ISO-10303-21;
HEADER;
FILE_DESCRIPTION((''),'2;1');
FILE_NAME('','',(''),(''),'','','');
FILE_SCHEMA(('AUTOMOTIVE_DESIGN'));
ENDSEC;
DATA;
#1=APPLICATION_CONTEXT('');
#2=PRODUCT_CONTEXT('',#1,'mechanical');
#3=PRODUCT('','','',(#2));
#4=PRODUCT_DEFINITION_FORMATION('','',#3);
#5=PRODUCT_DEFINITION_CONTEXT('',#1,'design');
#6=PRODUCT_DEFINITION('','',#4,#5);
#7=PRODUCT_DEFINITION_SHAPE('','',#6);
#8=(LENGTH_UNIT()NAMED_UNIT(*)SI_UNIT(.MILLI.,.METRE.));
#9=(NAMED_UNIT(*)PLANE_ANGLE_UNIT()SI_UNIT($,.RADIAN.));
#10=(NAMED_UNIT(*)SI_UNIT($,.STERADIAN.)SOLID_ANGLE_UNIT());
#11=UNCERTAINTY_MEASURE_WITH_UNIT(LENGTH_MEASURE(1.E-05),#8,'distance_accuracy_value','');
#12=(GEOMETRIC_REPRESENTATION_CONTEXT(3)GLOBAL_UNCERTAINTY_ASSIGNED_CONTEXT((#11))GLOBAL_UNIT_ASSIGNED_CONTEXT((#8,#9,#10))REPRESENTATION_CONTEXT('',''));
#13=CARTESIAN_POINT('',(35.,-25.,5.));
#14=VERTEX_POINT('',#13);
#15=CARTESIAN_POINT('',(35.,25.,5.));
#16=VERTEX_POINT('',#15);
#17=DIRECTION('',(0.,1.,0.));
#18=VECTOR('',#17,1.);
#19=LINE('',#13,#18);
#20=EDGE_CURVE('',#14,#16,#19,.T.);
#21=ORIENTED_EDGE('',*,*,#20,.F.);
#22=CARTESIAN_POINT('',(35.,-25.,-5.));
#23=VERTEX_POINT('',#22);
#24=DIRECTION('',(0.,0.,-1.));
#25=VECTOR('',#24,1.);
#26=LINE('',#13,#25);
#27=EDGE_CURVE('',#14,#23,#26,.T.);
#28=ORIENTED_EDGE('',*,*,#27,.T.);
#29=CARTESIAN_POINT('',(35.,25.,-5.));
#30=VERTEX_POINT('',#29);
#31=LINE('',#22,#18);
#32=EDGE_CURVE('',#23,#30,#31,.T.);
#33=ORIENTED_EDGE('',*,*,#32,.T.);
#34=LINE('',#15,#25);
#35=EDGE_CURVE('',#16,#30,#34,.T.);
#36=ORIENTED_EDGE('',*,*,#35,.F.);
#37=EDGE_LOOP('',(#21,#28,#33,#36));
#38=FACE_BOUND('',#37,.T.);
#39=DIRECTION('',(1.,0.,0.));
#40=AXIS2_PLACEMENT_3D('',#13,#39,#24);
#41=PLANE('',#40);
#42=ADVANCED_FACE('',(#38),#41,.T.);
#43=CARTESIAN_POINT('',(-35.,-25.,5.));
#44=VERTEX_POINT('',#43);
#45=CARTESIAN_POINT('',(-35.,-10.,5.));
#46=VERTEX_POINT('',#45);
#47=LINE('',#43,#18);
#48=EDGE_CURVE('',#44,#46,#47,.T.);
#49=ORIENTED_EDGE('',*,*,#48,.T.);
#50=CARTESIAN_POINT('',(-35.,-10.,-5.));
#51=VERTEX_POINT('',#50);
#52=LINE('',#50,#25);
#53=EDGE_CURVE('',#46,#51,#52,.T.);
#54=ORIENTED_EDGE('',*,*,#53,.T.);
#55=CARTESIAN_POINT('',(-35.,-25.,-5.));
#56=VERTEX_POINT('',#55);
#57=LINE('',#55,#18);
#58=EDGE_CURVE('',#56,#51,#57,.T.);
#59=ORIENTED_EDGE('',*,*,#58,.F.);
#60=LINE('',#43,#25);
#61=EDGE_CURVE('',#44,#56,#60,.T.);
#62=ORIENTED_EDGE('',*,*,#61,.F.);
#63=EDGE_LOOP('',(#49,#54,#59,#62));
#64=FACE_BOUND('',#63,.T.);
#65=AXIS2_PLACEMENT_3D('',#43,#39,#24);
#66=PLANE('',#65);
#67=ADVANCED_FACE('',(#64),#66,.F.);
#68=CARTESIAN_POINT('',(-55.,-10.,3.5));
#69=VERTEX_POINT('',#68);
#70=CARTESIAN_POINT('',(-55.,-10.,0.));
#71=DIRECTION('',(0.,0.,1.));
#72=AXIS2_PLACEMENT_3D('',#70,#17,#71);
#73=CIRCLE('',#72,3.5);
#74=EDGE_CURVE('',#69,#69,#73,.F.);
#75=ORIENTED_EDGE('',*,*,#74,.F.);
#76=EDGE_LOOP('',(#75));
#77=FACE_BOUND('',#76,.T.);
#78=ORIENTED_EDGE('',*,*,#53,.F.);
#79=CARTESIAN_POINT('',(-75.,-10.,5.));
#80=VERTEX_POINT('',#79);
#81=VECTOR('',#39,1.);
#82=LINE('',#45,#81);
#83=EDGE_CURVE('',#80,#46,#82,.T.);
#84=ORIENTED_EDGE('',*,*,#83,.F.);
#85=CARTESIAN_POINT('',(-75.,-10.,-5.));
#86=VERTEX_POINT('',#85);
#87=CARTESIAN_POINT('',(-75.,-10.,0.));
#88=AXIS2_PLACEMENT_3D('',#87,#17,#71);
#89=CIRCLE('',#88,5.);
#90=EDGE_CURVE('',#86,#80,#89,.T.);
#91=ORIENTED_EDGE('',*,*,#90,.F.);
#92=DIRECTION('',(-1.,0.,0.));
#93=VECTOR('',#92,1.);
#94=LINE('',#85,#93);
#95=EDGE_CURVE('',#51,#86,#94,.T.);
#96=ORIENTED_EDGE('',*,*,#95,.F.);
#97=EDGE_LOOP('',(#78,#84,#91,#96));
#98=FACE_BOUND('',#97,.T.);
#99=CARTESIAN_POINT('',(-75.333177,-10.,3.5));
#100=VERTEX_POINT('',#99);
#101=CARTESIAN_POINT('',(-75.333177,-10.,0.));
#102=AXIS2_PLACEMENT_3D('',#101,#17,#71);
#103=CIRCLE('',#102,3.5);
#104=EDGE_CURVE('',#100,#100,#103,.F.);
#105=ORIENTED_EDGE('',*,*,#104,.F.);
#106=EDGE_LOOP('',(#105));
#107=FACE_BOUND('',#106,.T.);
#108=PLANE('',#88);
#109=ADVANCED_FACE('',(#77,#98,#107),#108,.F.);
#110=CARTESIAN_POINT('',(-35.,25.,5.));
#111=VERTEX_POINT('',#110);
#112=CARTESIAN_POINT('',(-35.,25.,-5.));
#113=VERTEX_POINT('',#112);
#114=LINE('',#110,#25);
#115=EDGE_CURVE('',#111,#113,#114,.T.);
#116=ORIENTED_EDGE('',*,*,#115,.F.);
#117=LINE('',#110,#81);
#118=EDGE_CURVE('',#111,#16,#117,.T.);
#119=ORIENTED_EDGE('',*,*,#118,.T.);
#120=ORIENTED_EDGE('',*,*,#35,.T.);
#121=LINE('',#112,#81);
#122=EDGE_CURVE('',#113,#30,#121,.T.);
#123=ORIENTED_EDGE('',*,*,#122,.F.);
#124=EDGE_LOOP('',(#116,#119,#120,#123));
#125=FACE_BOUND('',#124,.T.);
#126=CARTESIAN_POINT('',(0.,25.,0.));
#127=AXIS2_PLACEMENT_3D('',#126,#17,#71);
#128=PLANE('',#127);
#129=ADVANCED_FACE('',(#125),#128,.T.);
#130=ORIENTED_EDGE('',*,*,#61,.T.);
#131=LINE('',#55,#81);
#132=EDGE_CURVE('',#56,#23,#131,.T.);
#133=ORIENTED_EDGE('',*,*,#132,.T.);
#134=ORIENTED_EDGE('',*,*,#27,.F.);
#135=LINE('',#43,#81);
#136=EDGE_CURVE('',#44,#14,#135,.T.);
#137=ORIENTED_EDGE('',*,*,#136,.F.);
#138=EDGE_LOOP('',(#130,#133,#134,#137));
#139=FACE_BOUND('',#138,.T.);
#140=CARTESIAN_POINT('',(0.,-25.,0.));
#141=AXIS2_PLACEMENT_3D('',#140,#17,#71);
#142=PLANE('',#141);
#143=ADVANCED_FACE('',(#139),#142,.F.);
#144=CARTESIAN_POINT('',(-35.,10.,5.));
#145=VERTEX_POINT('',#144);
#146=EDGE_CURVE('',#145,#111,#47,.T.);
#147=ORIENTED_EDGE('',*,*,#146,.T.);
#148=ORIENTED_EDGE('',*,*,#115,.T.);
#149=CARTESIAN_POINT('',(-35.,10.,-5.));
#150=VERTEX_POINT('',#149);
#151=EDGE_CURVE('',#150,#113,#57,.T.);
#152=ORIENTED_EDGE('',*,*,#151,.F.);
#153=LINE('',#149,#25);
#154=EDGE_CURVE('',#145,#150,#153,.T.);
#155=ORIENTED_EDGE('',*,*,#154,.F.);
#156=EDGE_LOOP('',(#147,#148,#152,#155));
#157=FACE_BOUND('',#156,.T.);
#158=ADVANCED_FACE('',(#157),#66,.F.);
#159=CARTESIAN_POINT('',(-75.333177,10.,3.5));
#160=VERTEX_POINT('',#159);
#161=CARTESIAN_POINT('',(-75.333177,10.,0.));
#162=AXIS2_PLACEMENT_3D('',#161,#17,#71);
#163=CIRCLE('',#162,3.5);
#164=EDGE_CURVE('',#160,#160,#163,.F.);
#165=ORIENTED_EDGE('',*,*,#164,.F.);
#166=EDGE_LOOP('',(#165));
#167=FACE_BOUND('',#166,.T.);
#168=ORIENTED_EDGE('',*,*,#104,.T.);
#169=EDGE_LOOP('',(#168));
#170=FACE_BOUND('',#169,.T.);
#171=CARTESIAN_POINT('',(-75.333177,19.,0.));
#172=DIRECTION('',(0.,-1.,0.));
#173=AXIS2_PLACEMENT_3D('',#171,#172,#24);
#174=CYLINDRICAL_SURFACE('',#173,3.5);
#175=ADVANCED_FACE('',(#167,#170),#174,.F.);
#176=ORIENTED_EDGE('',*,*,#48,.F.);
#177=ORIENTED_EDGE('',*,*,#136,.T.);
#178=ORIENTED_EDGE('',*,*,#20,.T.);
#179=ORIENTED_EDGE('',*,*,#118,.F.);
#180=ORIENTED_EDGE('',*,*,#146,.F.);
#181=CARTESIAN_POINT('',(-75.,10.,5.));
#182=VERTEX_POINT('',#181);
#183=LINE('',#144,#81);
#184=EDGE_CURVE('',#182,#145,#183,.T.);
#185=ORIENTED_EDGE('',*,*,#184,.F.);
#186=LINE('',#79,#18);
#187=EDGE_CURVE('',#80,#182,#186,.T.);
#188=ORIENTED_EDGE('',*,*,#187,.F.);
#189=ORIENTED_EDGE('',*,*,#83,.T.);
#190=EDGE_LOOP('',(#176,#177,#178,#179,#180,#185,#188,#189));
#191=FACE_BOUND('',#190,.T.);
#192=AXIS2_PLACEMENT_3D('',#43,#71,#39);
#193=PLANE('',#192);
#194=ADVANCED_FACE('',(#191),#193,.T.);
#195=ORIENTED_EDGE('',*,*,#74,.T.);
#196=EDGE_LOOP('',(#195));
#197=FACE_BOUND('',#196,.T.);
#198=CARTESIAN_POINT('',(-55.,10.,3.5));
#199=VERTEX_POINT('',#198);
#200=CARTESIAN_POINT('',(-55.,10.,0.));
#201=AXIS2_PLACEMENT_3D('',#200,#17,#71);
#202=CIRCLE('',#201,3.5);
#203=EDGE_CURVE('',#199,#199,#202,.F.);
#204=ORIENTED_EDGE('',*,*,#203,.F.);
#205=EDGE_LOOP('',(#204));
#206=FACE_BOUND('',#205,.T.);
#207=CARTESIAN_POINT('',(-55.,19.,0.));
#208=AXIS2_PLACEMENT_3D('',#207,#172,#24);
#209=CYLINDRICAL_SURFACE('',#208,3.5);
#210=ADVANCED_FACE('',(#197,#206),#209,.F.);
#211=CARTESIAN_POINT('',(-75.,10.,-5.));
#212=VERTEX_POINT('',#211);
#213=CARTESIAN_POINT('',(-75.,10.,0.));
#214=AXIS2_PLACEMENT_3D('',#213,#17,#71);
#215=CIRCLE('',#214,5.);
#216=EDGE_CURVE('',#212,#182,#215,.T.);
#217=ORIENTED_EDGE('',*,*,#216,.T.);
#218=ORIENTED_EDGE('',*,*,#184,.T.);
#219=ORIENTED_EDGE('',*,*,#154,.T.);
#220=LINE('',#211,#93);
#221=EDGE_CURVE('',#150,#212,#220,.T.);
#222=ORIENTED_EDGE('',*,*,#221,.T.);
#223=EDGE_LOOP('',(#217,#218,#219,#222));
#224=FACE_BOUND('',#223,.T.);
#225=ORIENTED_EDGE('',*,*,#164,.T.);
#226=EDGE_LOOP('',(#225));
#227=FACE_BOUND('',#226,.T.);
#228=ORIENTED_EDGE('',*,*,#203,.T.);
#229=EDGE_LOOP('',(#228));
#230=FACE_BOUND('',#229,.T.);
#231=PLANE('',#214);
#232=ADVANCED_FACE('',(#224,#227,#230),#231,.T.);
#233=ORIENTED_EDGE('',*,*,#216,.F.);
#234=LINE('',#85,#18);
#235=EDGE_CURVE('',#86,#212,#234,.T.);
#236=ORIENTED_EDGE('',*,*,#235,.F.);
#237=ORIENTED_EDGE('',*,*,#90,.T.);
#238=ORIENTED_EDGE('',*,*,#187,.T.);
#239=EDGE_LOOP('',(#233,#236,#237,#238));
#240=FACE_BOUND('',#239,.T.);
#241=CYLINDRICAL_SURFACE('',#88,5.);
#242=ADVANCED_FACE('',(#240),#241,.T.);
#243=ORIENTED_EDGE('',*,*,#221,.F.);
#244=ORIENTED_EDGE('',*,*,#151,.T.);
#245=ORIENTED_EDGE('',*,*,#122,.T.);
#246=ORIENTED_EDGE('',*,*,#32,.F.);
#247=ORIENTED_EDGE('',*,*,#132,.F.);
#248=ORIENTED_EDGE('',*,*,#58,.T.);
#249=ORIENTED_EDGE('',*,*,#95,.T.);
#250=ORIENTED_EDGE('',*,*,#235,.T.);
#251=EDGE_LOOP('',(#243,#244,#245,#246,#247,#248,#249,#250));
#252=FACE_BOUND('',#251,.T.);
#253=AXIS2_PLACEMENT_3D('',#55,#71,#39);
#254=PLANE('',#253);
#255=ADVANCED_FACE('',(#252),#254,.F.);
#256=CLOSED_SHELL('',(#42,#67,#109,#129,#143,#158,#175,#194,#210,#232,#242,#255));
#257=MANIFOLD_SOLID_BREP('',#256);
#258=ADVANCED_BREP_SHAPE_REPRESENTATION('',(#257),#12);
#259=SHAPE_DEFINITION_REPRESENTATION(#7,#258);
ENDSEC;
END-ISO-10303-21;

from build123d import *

# Parameters (mm, degrees)
BOSS_EXTRUDE1_DEPTH      = 25
BOSS_EXTRUDE1_DEPTH_BACK = 25
SKETCH1_W                = 70
SKETCH1_H                = 10
BOSS_EXTRUDE2_DEPTH      = 10
BOSS_EXTRUDE2_DEPTH_BACK = 10
CUT_EXTRUDE1_DEPTH       = 19
CUT_EXTRUDE1_DEPTH_BACK  = 16
SKETCH3_R                = 3.5


with BuildPart() as part:
    # Sketch1 → Boss-Extrude1 (new, two sides: drawn at the far end of the back side and taken through both)
    with BuildSketch(Plane(origin=(0, 0, 0), x_dir=(1, 0, 0), z_dir=(0, 1, 0)).offset(-BOSS_EXTRUDE1_DEPTH_BACK)):
        Rectangle(SKETCH1_W, SKETCH1_H)
    extrude(amount=BOSS_EXTRUDE1_DEPTH + BOSS_EXTRUDE1_DEPTH_BACK)

    # Sketch2 → Boss-Extrude2 (add, two sides: drawn at the far end of the back side and taken through both)
    with BuildSketch(Plane(origin=(0, 0, 0), x_dir=(1, 0, 0), z_dir=(0, 1, 0)).offset(-BOSS_EXTRUDE2_DEPTH_BACK)):
        with BuildLine():
            Line((-75, 5), (-35, 5))
            Line((-35, 5), (-35, -5))
            Line((-35, -5), (-75, -5))
            ThreePointArc((-75, -5), (-80, 0), (-75, 5))
        make_face()
    extrude(amount=BOSS_EXTRUDE2_DEPTH + BOSS_EXTRUDE2_DEPTH_BACK)

    # Sketch3 → Cut-Extrude1 (cut, two sides: drawn at the far end of the back side and taken through both)
    with BuildSketch(Plane(origin=(0, 0, 0), x_dir=(1, 0, 0), z_dir=(0, 1, 0)).offset(-CUT_EXTRUDE1_DEPTH_BACK)):
        with Locations((-75.333177097, 0)):
            Circle(SKETCH3_R)
        with Locations((-55, 0)):
            Circle(SKETCH3_R)
    extrude(amount=CUT_EXTRUDE1_DEPTH + CUT_EXTRUDE1_DEPTH_BACK, mode=Mode.SUBTRACT)


solid = part.part
